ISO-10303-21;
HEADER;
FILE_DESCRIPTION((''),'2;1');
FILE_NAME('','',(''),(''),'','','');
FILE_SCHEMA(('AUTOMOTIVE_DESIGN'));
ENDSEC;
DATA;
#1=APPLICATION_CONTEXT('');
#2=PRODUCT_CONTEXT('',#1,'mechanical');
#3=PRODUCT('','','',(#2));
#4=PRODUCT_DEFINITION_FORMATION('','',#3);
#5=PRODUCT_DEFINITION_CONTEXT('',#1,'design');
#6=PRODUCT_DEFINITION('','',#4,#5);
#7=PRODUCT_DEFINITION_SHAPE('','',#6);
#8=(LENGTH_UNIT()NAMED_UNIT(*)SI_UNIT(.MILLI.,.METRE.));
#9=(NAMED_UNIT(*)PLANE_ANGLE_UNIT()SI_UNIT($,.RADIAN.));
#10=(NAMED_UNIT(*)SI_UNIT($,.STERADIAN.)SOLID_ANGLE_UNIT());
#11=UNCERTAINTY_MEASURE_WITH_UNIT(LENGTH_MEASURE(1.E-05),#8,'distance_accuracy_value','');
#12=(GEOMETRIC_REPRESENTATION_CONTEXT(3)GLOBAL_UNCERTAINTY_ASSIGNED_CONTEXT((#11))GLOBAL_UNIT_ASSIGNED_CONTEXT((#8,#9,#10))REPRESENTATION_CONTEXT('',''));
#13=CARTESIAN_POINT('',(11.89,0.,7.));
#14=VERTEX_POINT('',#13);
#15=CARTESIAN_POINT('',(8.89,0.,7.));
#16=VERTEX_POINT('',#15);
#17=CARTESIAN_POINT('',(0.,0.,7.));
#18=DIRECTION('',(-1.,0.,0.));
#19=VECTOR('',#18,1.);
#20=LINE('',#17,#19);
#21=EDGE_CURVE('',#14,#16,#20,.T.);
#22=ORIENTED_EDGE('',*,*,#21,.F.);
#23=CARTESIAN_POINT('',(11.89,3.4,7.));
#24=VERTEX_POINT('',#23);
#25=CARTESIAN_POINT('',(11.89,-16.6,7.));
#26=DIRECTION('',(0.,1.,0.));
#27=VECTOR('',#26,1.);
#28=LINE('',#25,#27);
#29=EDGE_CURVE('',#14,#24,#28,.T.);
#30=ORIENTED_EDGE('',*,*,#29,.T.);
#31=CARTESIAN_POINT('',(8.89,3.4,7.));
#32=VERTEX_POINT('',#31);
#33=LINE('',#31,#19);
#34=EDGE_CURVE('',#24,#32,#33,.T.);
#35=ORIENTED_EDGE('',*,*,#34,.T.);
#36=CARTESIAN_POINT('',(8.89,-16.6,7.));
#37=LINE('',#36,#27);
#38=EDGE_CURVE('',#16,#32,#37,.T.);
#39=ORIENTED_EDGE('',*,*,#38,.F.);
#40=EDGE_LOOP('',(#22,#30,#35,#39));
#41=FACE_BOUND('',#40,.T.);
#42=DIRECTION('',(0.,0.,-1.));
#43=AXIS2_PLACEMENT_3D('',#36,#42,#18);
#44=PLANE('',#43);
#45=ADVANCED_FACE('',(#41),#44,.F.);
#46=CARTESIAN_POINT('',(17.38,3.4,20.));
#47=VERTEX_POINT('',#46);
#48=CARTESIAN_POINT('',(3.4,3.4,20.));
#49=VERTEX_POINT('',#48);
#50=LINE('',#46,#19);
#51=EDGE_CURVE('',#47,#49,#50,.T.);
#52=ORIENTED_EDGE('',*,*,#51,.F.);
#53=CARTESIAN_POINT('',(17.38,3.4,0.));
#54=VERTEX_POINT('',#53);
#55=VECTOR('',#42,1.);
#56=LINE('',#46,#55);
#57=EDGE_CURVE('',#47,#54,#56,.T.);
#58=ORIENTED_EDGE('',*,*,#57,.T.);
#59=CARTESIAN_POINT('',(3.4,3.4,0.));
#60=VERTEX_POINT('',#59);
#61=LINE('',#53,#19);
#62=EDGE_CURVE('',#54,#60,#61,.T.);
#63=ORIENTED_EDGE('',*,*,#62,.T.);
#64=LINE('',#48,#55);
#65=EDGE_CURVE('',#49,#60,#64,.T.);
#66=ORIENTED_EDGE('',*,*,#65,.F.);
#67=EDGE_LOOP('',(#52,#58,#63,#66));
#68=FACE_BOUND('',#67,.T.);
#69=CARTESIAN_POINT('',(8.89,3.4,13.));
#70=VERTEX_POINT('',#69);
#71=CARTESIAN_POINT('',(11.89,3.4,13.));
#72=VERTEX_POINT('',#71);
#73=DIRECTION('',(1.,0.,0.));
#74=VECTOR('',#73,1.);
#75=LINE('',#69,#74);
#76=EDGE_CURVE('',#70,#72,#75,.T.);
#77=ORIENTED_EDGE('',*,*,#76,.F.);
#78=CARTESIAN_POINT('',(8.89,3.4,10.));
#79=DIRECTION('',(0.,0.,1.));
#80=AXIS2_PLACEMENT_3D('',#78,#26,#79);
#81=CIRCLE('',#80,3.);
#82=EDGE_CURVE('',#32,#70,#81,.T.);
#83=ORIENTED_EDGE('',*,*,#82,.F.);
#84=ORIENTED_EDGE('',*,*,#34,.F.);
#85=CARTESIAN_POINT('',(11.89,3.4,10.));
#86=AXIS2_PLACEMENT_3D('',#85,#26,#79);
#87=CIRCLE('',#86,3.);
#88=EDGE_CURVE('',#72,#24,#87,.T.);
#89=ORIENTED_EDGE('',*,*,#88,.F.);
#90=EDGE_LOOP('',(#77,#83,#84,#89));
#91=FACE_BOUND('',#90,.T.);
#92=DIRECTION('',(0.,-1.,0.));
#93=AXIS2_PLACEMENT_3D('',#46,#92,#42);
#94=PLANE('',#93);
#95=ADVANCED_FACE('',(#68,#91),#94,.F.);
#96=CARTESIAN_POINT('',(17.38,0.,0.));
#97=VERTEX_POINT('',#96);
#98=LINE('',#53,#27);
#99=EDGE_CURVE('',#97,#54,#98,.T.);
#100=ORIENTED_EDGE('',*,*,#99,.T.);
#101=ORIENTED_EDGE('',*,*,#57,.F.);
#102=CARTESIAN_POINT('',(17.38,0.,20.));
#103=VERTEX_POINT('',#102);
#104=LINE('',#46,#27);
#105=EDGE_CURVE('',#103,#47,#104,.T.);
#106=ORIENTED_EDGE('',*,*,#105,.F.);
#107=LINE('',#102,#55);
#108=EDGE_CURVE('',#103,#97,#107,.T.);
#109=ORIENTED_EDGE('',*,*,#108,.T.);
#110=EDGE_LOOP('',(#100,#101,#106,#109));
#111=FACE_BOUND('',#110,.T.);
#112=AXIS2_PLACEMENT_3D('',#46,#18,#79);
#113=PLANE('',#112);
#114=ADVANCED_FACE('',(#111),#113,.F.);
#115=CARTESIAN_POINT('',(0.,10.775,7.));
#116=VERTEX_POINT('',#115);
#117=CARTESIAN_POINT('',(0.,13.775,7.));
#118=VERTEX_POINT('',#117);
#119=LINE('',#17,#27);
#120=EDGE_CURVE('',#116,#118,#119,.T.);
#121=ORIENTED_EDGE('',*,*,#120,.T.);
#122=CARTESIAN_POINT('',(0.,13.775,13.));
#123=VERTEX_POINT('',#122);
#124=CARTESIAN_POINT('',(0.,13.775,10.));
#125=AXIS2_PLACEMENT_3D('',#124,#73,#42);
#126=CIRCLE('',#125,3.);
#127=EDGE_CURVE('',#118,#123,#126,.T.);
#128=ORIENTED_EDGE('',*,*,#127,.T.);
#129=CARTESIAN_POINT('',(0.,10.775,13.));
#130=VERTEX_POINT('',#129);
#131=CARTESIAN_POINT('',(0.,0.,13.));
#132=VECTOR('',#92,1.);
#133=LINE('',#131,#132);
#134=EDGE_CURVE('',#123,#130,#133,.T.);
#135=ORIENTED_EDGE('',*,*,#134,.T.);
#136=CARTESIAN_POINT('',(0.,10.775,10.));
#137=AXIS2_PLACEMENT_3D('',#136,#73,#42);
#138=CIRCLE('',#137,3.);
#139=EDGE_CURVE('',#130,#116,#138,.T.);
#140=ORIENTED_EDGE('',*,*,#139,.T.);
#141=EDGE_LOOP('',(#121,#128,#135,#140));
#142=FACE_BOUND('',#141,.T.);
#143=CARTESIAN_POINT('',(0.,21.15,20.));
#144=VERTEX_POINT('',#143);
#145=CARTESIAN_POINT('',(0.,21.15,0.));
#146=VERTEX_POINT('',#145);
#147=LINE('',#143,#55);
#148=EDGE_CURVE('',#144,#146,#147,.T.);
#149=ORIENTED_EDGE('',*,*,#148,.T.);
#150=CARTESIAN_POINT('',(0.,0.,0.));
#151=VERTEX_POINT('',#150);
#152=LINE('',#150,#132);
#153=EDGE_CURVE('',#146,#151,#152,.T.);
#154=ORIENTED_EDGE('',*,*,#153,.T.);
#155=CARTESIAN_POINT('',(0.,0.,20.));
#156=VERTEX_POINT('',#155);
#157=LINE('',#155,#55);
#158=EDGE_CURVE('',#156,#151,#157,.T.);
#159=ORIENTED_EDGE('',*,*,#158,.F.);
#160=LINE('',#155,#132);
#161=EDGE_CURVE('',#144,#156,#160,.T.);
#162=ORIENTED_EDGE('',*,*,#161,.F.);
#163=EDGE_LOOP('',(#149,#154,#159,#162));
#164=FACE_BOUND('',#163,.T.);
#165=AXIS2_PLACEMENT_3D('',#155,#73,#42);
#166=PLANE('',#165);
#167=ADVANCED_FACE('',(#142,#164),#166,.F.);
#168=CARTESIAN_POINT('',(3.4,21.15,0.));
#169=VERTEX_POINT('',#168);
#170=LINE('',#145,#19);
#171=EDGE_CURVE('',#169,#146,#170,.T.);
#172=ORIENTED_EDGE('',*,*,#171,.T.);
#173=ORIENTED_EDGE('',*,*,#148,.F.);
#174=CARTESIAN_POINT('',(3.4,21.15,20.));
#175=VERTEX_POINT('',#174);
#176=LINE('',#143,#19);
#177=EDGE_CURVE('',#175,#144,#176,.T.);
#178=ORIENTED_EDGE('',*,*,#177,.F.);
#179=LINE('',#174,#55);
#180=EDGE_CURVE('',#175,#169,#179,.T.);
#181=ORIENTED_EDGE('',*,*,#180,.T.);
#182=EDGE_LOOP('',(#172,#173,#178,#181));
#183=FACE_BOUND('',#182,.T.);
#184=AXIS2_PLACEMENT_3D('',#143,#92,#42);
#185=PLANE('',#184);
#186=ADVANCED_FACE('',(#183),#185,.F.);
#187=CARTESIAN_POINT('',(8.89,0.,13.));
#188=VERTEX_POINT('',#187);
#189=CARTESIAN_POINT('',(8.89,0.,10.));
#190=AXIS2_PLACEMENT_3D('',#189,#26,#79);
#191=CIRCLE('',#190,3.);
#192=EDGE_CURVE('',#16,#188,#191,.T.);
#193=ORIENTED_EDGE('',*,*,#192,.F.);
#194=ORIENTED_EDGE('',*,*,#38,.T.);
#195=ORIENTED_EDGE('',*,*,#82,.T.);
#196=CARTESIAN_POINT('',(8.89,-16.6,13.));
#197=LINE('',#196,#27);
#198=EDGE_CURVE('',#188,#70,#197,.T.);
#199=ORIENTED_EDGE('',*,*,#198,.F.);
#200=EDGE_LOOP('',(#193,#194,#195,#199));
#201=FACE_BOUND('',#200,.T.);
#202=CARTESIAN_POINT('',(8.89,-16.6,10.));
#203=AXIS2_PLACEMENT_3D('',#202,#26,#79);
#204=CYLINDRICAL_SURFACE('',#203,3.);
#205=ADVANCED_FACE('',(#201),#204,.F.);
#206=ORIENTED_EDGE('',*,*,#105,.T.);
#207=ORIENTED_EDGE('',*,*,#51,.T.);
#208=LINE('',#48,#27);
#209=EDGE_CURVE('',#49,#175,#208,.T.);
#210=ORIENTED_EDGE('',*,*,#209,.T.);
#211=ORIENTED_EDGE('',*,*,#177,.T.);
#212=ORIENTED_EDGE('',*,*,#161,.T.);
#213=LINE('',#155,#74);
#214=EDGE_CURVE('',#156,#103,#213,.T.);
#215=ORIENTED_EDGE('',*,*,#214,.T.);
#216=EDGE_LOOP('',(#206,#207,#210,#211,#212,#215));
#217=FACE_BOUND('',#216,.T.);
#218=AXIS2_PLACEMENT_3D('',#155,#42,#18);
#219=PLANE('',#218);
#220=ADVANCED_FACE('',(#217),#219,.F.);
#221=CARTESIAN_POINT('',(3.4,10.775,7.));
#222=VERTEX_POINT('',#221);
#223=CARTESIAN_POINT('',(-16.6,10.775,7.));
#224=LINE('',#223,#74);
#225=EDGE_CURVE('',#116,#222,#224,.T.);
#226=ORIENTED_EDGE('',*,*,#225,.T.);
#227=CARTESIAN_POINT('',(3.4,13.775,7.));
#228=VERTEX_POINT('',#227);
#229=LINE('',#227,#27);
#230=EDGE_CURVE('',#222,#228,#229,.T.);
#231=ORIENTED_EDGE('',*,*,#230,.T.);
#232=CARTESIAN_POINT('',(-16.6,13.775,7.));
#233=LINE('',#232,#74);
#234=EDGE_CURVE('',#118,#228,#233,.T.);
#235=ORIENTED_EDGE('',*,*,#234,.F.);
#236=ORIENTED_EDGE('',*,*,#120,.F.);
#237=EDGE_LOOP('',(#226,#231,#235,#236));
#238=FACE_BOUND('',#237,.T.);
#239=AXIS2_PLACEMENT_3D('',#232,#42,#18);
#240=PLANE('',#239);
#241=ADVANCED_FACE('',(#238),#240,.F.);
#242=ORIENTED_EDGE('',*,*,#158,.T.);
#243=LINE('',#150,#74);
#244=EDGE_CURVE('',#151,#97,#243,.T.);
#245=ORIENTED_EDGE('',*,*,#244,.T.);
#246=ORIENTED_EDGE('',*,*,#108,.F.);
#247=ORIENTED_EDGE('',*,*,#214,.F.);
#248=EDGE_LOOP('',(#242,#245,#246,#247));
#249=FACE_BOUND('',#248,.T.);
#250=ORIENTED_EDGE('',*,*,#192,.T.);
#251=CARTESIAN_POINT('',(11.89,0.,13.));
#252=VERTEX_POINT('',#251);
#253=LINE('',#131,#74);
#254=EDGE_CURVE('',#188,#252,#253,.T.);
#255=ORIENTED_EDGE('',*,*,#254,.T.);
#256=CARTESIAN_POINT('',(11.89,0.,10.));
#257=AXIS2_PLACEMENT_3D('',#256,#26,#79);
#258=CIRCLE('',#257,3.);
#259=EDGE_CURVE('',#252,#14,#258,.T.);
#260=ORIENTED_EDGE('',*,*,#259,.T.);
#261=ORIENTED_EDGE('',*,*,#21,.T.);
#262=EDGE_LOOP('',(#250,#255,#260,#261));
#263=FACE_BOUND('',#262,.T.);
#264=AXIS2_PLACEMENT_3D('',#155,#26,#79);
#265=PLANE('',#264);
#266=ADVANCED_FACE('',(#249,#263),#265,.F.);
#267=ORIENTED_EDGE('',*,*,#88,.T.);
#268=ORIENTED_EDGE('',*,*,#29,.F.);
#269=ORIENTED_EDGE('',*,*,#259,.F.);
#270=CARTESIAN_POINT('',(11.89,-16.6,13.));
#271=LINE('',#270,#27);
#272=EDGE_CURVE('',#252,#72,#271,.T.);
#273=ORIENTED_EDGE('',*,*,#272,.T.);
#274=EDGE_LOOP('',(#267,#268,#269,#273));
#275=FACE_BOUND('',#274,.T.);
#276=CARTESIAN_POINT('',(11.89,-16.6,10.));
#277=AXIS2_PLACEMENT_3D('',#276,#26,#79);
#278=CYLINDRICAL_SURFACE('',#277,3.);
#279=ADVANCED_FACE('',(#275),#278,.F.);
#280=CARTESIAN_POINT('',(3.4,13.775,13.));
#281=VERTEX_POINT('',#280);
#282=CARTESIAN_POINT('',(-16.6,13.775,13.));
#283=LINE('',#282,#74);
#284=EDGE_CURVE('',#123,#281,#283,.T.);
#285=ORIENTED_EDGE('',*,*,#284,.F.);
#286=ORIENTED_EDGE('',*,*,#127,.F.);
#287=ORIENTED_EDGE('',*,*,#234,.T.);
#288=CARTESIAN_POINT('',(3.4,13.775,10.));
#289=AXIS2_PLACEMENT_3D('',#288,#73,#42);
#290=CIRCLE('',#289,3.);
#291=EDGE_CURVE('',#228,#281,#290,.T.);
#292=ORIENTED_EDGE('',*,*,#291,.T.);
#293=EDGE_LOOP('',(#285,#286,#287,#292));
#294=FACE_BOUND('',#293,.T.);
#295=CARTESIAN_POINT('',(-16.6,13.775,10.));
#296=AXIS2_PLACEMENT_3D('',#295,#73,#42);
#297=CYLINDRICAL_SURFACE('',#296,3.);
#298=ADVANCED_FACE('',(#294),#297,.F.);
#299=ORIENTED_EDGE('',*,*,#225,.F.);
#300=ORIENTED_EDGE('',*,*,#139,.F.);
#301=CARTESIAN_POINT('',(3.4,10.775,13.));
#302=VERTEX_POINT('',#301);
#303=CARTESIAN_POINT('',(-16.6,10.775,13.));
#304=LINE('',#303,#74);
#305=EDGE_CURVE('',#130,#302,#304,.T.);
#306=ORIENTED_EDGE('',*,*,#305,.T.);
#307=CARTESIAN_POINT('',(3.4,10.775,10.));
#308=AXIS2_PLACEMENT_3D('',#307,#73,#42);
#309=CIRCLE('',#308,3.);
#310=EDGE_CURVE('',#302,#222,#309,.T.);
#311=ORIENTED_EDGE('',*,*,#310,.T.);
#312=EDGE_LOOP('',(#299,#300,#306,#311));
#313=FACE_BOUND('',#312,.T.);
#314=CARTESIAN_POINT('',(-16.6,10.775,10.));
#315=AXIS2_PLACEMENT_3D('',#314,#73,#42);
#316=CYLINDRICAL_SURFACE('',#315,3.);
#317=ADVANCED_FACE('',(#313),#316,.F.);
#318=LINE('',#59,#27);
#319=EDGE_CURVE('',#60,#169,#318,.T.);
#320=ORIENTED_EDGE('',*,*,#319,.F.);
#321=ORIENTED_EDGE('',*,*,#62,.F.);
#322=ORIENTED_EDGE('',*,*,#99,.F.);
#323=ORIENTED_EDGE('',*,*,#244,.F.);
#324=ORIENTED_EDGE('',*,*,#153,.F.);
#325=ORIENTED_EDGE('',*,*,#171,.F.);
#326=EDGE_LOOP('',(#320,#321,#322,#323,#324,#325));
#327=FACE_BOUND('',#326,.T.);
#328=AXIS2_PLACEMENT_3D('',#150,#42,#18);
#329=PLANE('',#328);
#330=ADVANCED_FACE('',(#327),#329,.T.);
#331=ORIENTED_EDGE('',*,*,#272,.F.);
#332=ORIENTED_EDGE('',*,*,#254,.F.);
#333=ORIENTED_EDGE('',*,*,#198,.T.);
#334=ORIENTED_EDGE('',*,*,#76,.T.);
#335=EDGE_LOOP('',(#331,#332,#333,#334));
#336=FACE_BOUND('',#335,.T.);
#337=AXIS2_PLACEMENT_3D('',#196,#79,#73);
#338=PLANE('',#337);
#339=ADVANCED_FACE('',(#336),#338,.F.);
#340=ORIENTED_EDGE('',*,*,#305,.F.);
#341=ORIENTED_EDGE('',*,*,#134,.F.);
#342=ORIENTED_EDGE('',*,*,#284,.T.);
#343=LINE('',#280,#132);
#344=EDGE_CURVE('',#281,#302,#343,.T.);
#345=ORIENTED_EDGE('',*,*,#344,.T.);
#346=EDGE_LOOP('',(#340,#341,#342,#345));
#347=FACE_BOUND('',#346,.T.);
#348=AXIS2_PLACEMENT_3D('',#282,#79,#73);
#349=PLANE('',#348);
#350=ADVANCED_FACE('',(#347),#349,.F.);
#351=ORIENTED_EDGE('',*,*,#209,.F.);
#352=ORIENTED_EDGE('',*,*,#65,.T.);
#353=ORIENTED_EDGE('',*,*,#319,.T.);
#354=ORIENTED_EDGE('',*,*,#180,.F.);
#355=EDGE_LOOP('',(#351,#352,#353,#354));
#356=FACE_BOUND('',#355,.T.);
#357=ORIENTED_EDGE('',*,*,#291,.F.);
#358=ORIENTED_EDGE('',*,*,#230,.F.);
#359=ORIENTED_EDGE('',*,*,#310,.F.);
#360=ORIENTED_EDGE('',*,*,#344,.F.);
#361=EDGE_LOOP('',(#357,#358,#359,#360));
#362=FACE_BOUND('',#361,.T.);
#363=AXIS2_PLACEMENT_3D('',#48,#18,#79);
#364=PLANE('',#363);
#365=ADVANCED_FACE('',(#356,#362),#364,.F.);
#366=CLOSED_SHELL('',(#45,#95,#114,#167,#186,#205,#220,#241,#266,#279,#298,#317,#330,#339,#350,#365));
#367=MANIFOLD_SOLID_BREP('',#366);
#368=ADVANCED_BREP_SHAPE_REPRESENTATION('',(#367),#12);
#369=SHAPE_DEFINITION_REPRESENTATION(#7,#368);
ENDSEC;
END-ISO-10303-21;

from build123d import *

# Parameters (mm, degrees)
BOSS_EXTRUDE2_DEPTH = 20
CUT_EXTRUDE1_DEPTH  = 20
CUT_EXTRUDE2_DEPTH  = 20


with BuildPart() as part:
    # Sketch1 → Boss-Extrude2 (new body)
    with BuildSketch(Plane.XY):
        Polygon((0, 0), (17.38, 0), (17.38, 3.4), (3.4, 3.4), (3.4, 21.15), (0, 21.15), align=None)
    extrude(amount=BOSS_EXTRUDE2_DEPTH)

    # Sketch2 → Cut-Extrude1 (cut)
    with BuildSketch(Plane(origin=(3.4, 0, 0), x_dir=(0, 0, -1), z_dir=(1, 0, 0))):
        with BuildLine():
            Line((-7, 13.775), (-7, 10.775))
            ThreePointArc((-7, 10.775), (-10, 7.775), (-13, 10.775))
            Line((-13, 10.775), (-13, 13.775))
            ThreePointArc((-13, 13.775), (-10, 16.775), (-7, 13.775))
        make_face()
    extrude(amount=-CUT_EXTRUDE1_DEPTH, mode=Mode.SUBTRACT)

    # Sketch3 → Cut-Extrude2 (cut)
    with BuildSketch(Plane(origin=(0, 3.4, 0), x_dir=(1, 0, 0), z_dir=(0, 1, 0))):
        with BuildLine():
            Line((8.89, -7), (11.89, -7))
            ThreePointArc((11.89, -7), (14.89, -10), (11.89, -13))
            Line((11.89, -13), (8.89, -13))
            ThreePointArc((8.89, -13), (5.89, -10), (8.89, -7))
        make_face()
    extrude(amount=-CUT_EXTRUDE2_DEPTH, mode=Mode.SUBTRACT)


solid = part.part
